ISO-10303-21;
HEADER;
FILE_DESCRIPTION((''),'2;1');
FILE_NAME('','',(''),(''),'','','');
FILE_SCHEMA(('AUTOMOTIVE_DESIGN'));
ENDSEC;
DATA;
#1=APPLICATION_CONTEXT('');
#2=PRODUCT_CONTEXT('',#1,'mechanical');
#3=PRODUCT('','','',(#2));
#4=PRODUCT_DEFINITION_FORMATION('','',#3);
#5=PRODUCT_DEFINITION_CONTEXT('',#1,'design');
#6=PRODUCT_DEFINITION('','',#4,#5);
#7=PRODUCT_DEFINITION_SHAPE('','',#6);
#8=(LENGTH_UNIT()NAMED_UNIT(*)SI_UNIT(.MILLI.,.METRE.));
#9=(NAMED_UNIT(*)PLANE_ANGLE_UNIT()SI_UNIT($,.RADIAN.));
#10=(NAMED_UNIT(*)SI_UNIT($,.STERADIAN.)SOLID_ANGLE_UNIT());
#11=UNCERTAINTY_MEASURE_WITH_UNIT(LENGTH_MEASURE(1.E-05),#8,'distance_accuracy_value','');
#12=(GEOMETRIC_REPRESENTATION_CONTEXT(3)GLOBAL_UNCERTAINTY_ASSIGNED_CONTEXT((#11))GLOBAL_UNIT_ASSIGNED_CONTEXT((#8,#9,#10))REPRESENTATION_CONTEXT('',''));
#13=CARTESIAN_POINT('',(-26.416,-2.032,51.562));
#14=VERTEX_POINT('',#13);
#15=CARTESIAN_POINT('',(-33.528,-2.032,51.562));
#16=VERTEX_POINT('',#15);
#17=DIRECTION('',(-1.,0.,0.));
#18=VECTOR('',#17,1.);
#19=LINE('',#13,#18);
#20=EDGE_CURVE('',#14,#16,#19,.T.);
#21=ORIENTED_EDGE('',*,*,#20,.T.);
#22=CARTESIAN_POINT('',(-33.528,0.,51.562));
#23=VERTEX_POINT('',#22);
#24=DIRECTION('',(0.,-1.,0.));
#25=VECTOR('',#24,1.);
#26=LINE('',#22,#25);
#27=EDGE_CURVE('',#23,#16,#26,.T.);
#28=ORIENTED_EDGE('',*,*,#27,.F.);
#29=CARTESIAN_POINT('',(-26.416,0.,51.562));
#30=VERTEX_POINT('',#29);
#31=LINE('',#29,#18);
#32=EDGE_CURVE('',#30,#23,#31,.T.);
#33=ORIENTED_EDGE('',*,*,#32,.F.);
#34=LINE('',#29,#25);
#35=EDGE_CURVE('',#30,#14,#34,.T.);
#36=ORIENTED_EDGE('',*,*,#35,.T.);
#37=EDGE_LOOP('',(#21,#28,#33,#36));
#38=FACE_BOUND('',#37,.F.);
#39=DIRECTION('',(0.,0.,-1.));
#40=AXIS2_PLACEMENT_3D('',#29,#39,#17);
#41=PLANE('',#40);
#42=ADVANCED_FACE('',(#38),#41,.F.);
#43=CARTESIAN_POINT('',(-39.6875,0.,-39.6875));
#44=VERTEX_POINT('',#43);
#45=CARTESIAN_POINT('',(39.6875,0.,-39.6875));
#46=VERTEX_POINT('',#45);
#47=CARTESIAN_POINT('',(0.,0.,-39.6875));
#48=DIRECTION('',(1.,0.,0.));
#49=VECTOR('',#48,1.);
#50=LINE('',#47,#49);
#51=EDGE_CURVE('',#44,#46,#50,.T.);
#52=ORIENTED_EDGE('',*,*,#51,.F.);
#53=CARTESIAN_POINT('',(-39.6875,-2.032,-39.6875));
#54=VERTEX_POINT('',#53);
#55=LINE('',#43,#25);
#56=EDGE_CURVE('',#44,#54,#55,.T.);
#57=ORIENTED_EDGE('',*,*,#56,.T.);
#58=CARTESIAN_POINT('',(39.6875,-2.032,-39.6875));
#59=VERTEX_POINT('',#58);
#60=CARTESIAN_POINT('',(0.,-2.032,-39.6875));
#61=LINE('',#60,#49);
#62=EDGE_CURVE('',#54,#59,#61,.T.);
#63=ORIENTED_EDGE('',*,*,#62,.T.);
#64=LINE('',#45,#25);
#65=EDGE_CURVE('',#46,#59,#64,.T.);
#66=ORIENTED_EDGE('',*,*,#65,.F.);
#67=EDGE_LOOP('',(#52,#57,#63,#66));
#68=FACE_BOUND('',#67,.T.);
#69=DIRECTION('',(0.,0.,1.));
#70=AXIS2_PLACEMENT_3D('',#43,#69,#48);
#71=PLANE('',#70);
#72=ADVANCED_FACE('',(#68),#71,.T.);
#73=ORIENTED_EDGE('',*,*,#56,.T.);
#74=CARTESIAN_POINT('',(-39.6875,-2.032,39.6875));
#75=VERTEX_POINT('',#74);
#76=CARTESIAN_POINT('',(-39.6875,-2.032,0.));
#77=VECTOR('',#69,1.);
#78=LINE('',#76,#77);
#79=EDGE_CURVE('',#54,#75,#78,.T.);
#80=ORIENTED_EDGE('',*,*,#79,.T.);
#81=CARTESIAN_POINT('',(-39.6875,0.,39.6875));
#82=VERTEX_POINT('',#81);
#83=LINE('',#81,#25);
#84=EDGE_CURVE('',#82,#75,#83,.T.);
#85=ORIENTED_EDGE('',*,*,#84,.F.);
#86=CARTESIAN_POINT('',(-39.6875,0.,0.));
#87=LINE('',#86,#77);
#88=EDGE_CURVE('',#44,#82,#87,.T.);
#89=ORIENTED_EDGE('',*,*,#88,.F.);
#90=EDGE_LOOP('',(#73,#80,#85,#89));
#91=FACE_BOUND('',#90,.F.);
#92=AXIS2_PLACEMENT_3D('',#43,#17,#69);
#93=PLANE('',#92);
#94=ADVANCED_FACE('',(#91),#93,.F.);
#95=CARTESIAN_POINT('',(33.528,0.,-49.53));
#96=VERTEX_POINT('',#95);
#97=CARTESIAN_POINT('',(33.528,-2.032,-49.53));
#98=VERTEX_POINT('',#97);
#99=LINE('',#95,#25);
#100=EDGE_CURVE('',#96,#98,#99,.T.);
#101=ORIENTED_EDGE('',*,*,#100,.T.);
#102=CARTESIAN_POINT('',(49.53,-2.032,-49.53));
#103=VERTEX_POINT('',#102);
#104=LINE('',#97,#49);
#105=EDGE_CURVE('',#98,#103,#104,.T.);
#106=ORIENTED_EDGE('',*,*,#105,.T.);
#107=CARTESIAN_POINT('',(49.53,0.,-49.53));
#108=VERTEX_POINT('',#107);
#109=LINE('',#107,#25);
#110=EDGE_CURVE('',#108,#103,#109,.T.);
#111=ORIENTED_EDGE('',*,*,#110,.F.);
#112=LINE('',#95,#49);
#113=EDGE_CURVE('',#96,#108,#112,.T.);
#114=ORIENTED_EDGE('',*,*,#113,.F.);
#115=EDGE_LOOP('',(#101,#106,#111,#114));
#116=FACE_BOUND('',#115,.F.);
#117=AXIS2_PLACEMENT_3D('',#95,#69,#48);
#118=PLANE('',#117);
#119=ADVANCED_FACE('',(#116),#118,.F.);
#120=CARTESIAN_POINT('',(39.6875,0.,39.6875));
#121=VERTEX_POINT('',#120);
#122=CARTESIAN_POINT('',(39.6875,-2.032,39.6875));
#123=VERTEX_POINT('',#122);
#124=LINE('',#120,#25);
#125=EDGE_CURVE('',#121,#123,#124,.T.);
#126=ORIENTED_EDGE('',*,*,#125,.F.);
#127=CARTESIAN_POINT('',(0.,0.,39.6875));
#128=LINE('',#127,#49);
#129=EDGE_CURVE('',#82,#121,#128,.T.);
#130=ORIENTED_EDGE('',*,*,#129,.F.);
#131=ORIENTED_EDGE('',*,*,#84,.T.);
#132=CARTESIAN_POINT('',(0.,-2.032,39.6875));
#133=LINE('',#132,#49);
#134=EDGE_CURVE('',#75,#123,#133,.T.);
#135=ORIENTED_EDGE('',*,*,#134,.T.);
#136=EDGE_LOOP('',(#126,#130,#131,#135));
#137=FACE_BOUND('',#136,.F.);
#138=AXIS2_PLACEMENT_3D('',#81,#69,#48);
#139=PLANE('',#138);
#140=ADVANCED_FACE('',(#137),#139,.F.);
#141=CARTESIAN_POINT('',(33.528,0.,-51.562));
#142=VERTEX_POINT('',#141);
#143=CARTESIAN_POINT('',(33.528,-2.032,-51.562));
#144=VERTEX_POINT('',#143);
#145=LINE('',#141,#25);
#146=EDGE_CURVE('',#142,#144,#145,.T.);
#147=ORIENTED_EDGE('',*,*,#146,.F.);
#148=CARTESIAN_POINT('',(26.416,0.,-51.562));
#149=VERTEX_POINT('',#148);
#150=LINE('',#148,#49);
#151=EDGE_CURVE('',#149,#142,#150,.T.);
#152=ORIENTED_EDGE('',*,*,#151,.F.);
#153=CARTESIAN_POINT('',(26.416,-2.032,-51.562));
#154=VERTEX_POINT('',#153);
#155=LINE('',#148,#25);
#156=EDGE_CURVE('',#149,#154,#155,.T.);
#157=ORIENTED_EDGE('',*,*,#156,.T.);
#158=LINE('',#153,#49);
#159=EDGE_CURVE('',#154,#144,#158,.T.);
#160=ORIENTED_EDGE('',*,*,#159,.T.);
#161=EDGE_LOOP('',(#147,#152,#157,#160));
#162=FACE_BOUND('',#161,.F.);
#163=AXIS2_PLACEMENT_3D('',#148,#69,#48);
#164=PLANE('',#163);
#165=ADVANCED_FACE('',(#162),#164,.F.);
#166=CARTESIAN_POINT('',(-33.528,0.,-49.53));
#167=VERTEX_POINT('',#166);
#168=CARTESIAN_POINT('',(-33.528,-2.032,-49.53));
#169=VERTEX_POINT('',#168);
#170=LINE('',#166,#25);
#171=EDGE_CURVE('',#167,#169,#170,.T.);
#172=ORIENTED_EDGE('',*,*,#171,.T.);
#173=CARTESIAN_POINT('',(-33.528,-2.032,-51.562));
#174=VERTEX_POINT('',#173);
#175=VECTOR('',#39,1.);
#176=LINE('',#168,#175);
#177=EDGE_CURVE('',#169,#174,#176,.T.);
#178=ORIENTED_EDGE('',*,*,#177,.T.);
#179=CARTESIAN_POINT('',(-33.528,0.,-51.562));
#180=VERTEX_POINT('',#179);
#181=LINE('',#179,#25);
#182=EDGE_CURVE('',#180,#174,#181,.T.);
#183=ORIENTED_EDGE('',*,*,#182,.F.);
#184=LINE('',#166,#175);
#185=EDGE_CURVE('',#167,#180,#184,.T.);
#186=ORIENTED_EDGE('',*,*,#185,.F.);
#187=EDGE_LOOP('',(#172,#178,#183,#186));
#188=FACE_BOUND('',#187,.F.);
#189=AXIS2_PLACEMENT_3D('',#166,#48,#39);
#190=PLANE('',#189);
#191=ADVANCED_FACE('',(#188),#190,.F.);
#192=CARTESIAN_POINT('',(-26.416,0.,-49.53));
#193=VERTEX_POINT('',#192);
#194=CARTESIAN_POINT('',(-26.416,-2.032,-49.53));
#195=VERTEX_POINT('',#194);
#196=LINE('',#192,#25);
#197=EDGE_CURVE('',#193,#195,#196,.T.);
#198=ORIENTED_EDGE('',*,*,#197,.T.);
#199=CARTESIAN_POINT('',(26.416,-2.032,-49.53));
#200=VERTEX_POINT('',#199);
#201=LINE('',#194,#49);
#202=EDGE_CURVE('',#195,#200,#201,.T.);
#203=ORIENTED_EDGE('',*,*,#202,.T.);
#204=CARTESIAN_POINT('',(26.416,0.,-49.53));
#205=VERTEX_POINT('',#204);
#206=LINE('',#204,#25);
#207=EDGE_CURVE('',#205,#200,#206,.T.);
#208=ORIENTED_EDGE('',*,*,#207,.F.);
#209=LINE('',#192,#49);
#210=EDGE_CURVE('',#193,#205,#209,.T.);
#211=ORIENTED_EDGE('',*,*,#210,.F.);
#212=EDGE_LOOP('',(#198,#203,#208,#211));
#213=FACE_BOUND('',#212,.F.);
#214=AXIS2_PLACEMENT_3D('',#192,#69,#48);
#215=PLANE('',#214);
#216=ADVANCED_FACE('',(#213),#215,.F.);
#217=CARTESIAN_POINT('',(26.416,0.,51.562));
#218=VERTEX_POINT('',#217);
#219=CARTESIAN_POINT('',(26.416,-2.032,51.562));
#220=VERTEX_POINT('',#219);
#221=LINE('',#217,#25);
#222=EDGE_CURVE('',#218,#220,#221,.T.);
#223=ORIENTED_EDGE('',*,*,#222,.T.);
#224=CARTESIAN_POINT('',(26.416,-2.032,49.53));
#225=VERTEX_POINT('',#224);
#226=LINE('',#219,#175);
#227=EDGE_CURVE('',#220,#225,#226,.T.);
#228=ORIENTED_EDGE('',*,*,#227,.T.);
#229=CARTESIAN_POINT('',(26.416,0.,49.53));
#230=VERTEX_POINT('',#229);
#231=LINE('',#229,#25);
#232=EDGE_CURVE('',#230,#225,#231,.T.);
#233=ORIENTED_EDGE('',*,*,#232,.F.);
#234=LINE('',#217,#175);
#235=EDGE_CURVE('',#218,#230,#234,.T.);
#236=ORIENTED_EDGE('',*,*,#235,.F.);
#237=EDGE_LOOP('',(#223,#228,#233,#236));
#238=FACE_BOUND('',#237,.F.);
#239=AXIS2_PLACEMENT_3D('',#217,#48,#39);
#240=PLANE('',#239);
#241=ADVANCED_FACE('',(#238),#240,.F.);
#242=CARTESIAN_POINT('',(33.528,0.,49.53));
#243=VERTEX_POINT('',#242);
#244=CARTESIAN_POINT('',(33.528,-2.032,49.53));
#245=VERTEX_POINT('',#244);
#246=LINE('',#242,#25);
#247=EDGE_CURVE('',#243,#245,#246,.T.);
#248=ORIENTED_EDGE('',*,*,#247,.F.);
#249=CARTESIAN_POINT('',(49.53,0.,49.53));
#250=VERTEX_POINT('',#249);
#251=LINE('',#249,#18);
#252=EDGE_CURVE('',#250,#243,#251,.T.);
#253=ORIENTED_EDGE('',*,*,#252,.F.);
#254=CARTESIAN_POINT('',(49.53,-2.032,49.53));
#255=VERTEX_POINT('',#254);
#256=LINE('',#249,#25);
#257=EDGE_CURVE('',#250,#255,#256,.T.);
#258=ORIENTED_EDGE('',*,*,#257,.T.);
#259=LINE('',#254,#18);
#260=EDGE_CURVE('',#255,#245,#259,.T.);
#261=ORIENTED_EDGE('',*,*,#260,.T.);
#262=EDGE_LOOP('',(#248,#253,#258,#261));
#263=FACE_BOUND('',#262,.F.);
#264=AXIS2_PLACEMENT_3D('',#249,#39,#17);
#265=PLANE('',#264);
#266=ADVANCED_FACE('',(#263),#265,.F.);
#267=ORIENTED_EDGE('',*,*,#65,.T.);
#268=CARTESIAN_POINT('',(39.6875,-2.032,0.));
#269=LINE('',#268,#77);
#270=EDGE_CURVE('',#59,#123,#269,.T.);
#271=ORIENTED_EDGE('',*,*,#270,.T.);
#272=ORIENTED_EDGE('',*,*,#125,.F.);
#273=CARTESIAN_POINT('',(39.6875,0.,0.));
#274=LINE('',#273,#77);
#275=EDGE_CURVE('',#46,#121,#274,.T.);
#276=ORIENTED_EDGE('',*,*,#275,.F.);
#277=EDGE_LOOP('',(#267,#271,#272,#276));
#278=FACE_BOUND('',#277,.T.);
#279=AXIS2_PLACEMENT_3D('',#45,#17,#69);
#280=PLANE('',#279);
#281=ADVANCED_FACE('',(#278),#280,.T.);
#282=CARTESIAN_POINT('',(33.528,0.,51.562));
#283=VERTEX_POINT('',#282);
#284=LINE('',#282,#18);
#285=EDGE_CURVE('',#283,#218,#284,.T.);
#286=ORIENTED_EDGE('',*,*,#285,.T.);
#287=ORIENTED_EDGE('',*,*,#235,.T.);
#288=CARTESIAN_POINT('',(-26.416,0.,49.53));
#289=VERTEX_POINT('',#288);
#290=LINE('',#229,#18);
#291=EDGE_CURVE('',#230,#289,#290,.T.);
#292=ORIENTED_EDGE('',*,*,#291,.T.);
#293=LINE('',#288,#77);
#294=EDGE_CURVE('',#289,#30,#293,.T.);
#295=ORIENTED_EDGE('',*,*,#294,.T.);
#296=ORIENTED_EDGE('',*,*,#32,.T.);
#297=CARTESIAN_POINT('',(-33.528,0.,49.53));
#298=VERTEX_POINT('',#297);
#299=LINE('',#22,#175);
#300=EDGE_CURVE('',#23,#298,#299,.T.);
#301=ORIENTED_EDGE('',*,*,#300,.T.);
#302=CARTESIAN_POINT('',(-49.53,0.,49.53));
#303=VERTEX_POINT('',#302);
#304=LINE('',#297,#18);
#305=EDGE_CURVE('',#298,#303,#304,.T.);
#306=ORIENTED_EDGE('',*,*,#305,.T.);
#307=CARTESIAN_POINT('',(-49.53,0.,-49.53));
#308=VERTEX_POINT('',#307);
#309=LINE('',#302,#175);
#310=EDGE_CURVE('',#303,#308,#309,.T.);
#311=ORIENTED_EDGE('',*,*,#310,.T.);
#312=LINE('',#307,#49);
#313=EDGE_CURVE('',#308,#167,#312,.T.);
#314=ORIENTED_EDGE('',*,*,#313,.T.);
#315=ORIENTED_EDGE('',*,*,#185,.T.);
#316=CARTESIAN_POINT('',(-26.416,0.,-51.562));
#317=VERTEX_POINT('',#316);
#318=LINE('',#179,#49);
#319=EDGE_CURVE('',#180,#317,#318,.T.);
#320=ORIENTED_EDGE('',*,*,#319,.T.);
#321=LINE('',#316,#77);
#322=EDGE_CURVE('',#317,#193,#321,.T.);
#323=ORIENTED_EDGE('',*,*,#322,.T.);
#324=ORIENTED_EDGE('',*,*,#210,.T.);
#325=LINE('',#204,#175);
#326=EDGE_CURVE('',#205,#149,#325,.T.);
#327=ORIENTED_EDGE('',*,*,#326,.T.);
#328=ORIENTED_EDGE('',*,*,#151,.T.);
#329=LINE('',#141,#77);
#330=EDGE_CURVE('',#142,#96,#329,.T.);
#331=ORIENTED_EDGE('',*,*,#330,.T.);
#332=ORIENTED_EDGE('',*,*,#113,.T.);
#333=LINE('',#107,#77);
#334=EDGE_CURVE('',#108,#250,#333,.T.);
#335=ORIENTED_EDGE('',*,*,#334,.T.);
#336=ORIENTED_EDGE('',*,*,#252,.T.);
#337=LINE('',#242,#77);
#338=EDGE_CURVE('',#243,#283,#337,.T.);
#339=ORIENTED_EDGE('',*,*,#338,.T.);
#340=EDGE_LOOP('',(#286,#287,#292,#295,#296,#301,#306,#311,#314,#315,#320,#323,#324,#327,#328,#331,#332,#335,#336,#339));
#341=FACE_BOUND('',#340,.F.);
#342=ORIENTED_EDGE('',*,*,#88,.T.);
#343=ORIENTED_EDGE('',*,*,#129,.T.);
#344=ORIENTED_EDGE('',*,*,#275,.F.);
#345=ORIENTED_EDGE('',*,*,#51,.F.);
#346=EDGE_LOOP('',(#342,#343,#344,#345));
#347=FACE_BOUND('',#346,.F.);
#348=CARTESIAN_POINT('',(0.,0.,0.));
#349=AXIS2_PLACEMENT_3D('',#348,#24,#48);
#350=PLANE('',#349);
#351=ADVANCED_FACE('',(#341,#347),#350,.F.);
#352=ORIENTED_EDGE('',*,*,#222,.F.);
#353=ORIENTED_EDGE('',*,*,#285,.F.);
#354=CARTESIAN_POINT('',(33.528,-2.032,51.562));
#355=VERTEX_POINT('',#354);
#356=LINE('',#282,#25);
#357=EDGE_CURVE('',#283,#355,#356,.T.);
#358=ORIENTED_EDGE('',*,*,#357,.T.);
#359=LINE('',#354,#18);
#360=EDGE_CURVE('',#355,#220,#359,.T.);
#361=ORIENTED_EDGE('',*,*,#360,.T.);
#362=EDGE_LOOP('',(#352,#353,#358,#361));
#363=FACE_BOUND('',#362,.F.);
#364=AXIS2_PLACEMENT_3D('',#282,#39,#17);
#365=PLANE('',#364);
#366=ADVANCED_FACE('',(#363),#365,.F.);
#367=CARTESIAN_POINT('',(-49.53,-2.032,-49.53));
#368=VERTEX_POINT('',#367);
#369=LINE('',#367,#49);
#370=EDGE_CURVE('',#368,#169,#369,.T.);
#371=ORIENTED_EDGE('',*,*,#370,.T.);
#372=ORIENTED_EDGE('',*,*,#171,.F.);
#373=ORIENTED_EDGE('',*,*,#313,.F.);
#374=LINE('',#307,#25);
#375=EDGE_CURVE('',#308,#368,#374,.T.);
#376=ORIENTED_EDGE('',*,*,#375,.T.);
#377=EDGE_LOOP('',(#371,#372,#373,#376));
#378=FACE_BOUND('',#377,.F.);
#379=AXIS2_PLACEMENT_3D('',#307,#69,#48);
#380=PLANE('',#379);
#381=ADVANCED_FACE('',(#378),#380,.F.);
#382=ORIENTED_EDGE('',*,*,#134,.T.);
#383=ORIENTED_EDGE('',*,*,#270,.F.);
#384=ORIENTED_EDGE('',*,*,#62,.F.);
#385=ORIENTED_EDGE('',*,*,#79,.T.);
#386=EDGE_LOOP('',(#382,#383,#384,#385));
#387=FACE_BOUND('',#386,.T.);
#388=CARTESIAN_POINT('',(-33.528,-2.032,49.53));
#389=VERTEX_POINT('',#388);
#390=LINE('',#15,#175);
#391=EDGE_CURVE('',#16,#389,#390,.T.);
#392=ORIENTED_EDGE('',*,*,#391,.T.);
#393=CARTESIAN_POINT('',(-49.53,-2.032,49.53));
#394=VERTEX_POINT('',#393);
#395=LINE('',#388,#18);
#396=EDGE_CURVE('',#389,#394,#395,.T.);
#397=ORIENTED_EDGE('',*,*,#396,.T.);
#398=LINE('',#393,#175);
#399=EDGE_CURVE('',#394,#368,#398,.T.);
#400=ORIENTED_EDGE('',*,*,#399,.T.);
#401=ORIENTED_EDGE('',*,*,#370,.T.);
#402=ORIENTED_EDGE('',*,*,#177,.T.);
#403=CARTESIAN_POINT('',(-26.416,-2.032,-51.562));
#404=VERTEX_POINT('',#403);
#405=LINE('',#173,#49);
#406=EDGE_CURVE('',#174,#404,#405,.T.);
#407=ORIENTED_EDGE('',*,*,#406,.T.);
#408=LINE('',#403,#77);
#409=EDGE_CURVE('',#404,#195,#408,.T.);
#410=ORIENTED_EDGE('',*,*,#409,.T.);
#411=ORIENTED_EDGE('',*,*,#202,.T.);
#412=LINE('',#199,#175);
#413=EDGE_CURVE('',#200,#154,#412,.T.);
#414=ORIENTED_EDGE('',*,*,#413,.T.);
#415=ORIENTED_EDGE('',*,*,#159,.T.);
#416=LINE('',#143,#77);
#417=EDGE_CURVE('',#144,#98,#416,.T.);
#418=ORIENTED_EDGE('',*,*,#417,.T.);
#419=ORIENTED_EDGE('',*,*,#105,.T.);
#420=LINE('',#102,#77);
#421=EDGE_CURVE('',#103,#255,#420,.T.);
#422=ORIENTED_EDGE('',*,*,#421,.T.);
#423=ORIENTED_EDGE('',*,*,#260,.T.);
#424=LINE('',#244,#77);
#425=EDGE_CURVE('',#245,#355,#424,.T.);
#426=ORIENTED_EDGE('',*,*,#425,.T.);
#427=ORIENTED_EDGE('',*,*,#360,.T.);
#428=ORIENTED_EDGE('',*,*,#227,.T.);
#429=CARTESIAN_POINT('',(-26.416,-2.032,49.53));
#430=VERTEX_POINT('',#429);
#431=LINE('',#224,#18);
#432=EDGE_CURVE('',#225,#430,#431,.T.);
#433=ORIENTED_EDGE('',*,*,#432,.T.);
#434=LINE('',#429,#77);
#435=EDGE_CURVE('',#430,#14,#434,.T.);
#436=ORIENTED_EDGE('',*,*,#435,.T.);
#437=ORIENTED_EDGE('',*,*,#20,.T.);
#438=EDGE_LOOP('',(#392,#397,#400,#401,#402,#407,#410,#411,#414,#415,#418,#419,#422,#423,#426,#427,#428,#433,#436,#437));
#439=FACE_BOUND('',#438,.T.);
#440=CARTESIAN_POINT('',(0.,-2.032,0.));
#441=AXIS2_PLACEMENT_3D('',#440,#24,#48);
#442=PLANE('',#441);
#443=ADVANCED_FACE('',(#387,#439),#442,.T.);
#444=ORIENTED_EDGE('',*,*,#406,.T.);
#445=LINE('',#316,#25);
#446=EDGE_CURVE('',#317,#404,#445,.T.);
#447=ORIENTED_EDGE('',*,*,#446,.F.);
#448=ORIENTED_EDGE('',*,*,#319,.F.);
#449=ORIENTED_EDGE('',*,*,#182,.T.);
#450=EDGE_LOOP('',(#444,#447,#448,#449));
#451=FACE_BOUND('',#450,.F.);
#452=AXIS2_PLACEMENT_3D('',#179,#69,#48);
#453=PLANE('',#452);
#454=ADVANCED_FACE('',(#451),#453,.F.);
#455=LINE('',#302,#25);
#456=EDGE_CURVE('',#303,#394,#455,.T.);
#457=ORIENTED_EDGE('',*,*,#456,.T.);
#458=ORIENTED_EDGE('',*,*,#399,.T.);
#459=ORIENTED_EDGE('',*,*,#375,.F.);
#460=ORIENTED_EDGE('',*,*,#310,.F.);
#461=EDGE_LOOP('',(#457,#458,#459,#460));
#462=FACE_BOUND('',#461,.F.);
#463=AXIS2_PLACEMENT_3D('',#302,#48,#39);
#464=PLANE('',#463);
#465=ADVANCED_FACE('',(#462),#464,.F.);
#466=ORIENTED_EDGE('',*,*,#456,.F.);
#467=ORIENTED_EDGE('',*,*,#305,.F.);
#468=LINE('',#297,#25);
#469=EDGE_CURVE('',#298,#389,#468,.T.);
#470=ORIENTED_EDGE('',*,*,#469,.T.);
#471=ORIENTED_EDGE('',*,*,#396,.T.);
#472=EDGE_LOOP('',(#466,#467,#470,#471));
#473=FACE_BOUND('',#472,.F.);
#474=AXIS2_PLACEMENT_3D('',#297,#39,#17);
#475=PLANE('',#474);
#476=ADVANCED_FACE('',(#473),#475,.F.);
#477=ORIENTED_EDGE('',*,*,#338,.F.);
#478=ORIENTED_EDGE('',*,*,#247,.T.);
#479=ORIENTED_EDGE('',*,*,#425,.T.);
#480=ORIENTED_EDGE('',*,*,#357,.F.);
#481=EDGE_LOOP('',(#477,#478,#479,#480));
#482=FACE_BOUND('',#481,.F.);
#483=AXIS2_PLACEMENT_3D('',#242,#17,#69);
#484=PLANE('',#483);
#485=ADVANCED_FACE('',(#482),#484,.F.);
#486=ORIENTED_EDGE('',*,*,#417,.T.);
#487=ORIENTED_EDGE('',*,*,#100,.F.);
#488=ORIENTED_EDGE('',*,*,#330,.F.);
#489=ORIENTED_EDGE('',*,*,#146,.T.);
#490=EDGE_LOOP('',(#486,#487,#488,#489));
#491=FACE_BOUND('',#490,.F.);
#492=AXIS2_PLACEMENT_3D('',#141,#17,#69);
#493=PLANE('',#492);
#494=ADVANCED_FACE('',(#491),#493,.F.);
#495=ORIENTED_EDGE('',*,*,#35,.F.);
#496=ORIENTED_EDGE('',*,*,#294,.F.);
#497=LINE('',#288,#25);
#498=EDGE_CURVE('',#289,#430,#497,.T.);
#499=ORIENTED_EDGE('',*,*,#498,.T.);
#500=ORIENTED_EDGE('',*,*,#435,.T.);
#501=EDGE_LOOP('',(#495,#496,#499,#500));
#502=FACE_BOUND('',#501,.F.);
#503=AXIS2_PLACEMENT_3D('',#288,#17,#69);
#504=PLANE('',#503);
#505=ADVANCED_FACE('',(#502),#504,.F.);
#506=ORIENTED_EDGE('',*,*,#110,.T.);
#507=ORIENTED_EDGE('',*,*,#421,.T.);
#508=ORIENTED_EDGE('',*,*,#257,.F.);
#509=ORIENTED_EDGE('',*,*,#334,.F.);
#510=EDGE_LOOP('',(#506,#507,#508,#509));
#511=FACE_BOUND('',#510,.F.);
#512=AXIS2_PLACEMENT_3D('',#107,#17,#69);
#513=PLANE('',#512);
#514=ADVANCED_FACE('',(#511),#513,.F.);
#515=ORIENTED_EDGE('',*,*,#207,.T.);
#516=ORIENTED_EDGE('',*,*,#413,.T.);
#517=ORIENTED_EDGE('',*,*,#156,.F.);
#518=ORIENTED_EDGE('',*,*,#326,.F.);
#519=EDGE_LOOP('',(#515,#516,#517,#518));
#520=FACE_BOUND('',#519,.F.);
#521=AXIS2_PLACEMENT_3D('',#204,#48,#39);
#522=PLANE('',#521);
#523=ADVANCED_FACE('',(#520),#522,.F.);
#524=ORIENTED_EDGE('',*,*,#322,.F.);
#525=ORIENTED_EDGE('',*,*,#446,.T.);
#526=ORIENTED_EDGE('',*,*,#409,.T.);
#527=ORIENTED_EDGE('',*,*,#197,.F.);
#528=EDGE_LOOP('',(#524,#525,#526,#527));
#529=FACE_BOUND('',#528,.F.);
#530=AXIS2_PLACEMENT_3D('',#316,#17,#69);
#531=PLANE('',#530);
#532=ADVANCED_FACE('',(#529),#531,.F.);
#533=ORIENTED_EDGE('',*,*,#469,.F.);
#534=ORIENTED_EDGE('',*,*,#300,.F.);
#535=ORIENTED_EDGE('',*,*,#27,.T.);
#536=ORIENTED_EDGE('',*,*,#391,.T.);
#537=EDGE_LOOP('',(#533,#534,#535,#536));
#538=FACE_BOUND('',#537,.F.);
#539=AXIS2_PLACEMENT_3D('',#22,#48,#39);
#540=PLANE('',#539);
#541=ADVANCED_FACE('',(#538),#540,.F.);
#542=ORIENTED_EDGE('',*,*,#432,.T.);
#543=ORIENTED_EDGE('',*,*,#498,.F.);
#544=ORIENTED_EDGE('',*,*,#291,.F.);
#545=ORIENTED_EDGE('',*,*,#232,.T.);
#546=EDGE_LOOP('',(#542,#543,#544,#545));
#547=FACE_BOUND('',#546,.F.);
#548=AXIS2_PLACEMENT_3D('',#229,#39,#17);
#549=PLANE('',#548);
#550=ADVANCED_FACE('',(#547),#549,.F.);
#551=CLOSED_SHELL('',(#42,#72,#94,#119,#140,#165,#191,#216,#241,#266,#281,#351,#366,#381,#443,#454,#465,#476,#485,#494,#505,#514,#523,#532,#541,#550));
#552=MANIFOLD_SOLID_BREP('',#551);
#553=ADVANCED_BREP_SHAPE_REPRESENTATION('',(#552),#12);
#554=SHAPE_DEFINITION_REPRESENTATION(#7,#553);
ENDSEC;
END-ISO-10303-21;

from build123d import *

# Parameters (mm, degrees)
F0_W     = 79.375
F0_H     = 79.375
F1_DEPTH = 2.032


with BuildPart() as f1:
    # F0 (on Front) → F1 (new body)
    with BuildSketch(Plane.XZ):
        Polygon((-33.528, 49.53), (-49.53, 49.53), (-49.53, 0), (-49.53, -49.53), (-33.528, -49.53), (-33.528, -51.562), (-26.416, -51.562), (-26.416, -49.53), (26.416, -49.53), (26.416, -51.562), (33.528, -51.562), (33.528, -49.53), (49.53, -49.53), (49.53, 0), (49.53, 49.53), (33.528, 49.53), (33.528, 51.562), (26.416, 51.562), (26.416, 49.53), (-26.416, 49.53), (-26.416, 51.562), (-33.528, 51.562), align=None)
        Rectangle(F0_W, F0_H, mode=Mode.SUBTRACT)
    extrude(amount=F1_DEPTH)


solid = f1.part
